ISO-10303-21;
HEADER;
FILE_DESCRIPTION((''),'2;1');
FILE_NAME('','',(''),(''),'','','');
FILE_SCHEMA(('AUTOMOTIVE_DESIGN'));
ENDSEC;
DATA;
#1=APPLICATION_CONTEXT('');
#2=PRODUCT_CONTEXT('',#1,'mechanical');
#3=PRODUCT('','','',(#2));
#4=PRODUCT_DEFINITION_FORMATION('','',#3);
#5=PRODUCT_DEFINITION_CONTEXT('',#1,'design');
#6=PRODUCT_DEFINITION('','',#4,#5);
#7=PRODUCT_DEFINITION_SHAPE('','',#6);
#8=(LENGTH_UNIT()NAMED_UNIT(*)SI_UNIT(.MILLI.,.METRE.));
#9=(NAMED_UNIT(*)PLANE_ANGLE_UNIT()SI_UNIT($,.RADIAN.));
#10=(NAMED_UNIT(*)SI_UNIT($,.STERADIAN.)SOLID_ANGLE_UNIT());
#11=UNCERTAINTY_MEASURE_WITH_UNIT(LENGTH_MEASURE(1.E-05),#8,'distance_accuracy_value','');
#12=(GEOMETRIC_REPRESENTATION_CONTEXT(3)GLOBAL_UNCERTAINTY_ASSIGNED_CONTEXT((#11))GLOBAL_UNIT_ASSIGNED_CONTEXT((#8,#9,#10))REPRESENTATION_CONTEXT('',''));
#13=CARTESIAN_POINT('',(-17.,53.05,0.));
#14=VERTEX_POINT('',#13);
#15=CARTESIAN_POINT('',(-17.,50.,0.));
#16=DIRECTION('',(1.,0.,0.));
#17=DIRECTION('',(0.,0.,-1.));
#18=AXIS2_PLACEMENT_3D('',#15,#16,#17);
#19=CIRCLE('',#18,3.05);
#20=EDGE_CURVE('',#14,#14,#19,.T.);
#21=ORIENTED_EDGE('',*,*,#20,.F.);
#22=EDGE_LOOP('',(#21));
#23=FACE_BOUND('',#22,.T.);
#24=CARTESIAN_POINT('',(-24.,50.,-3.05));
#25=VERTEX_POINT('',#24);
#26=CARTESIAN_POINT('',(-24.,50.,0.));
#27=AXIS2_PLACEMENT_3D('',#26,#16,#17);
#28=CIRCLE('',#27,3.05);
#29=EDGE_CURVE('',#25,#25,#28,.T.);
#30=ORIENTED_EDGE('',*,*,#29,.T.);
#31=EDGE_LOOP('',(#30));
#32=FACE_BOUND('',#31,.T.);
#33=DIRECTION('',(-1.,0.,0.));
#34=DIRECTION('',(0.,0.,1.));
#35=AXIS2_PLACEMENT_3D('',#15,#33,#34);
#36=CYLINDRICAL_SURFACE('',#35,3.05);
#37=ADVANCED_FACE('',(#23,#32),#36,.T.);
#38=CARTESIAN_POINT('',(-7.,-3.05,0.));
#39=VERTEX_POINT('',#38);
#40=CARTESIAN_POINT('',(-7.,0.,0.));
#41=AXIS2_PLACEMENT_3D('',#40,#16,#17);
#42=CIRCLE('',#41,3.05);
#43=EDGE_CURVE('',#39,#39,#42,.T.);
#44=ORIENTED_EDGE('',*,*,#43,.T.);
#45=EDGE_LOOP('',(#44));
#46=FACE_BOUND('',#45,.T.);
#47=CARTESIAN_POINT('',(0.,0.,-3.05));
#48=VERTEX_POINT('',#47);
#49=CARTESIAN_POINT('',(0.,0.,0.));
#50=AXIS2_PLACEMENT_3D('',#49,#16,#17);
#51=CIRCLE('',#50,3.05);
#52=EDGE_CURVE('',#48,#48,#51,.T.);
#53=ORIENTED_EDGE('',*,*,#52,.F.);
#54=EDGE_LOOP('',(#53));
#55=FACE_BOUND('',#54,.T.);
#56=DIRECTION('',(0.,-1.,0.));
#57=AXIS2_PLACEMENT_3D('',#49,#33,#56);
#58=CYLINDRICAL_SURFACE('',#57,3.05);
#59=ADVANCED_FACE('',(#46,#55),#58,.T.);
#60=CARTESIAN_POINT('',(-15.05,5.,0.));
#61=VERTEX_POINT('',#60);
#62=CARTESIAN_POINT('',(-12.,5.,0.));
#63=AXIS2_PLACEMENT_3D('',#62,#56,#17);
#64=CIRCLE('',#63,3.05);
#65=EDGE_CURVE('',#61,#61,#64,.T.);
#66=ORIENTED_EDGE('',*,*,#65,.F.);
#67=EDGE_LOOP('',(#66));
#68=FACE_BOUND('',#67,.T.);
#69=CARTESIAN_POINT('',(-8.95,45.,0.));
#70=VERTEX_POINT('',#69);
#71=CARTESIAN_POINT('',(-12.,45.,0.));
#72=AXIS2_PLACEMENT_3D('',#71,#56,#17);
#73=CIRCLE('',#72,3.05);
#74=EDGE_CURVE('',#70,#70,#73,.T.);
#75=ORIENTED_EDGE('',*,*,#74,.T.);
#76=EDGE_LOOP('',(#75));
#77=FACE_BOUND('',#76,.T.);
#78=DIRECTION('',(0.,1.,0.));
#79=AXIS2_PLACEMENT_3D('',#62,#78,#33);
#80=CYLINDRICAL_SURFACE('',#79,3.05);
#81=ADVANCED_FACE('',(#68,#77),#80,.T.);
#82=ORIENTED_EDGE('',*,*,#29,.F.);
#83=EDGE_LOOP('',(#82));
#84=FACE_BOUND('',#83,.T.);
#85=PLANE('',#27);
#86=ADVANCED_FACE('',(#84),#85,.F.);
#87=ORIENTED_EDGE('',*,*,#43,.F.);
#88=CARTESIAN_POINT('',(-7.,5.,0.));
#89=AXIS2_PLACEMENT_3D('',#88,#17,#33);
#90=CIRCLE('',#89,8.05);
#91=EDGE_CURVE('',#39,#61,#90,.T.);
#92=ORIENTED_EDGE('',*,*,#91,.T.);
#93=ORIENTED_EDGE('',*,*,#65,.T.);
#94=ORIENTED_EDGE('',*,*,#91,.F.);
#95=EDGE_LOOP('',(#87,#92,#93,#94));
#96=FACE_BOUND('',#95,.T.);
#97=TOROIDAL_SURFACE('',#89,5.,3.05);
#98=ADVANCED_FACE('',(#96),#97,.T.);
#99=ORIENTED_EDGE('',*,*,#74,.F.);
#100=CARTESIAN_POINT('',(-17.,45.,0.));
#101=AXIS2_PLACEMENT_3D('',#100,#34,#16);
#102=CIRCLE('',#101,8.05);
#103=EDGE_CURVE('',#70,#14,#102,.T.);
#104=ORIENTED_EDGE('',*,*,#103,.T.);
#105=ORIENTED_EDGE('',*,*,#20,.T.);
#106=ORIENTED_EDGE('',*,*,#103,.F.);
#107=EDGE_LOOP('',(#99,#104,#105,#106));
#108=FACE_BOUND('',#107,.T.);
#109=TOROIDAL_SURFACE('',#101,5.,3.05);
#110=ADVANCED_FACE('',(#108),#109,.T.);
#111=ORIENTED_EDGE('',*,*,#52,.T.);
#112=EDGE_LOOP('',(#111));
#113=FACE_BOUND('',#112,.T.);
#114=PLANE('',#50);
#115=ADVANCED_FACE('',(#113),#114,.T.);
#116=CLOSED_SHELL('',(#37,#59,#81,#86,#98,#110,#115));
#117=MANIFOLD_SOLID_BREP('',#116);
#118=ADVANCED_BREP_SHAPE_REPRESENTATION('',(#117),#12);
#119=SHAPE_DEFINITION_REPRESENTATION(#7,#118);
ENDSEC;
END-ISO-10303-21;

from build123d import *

# Parameters (mm, degrees)
SKETCH2_R = 3.05


with BuildPart() as part:
    # Sweep1: sweep along a path in Sketch1
    with BuildLine(Plane.XY) as sweep1_path:
        Line((0, 0), (-7, 0))
        ThreePointArc((-7, 0), (-10.535533906, 1.464466094), (-12, 5))
        Line((-12, 5), (-12, 45))
        ThreePointArc((-12, 45), (-13.464466094, 48.535533906), (-17, 50))
        Line((-17, 50), (-24, 50))
    # Sketch2 → Sweep1 (sweep)
    with BuildSketch(Plane(origin=(0, 0, 0), x_dir=(0, 0, -1), z_dir=(1, 0, 0))):
        Circle(SKETCH2_R)
    sweep(path=sweep1_path.line)


solid = part.part
